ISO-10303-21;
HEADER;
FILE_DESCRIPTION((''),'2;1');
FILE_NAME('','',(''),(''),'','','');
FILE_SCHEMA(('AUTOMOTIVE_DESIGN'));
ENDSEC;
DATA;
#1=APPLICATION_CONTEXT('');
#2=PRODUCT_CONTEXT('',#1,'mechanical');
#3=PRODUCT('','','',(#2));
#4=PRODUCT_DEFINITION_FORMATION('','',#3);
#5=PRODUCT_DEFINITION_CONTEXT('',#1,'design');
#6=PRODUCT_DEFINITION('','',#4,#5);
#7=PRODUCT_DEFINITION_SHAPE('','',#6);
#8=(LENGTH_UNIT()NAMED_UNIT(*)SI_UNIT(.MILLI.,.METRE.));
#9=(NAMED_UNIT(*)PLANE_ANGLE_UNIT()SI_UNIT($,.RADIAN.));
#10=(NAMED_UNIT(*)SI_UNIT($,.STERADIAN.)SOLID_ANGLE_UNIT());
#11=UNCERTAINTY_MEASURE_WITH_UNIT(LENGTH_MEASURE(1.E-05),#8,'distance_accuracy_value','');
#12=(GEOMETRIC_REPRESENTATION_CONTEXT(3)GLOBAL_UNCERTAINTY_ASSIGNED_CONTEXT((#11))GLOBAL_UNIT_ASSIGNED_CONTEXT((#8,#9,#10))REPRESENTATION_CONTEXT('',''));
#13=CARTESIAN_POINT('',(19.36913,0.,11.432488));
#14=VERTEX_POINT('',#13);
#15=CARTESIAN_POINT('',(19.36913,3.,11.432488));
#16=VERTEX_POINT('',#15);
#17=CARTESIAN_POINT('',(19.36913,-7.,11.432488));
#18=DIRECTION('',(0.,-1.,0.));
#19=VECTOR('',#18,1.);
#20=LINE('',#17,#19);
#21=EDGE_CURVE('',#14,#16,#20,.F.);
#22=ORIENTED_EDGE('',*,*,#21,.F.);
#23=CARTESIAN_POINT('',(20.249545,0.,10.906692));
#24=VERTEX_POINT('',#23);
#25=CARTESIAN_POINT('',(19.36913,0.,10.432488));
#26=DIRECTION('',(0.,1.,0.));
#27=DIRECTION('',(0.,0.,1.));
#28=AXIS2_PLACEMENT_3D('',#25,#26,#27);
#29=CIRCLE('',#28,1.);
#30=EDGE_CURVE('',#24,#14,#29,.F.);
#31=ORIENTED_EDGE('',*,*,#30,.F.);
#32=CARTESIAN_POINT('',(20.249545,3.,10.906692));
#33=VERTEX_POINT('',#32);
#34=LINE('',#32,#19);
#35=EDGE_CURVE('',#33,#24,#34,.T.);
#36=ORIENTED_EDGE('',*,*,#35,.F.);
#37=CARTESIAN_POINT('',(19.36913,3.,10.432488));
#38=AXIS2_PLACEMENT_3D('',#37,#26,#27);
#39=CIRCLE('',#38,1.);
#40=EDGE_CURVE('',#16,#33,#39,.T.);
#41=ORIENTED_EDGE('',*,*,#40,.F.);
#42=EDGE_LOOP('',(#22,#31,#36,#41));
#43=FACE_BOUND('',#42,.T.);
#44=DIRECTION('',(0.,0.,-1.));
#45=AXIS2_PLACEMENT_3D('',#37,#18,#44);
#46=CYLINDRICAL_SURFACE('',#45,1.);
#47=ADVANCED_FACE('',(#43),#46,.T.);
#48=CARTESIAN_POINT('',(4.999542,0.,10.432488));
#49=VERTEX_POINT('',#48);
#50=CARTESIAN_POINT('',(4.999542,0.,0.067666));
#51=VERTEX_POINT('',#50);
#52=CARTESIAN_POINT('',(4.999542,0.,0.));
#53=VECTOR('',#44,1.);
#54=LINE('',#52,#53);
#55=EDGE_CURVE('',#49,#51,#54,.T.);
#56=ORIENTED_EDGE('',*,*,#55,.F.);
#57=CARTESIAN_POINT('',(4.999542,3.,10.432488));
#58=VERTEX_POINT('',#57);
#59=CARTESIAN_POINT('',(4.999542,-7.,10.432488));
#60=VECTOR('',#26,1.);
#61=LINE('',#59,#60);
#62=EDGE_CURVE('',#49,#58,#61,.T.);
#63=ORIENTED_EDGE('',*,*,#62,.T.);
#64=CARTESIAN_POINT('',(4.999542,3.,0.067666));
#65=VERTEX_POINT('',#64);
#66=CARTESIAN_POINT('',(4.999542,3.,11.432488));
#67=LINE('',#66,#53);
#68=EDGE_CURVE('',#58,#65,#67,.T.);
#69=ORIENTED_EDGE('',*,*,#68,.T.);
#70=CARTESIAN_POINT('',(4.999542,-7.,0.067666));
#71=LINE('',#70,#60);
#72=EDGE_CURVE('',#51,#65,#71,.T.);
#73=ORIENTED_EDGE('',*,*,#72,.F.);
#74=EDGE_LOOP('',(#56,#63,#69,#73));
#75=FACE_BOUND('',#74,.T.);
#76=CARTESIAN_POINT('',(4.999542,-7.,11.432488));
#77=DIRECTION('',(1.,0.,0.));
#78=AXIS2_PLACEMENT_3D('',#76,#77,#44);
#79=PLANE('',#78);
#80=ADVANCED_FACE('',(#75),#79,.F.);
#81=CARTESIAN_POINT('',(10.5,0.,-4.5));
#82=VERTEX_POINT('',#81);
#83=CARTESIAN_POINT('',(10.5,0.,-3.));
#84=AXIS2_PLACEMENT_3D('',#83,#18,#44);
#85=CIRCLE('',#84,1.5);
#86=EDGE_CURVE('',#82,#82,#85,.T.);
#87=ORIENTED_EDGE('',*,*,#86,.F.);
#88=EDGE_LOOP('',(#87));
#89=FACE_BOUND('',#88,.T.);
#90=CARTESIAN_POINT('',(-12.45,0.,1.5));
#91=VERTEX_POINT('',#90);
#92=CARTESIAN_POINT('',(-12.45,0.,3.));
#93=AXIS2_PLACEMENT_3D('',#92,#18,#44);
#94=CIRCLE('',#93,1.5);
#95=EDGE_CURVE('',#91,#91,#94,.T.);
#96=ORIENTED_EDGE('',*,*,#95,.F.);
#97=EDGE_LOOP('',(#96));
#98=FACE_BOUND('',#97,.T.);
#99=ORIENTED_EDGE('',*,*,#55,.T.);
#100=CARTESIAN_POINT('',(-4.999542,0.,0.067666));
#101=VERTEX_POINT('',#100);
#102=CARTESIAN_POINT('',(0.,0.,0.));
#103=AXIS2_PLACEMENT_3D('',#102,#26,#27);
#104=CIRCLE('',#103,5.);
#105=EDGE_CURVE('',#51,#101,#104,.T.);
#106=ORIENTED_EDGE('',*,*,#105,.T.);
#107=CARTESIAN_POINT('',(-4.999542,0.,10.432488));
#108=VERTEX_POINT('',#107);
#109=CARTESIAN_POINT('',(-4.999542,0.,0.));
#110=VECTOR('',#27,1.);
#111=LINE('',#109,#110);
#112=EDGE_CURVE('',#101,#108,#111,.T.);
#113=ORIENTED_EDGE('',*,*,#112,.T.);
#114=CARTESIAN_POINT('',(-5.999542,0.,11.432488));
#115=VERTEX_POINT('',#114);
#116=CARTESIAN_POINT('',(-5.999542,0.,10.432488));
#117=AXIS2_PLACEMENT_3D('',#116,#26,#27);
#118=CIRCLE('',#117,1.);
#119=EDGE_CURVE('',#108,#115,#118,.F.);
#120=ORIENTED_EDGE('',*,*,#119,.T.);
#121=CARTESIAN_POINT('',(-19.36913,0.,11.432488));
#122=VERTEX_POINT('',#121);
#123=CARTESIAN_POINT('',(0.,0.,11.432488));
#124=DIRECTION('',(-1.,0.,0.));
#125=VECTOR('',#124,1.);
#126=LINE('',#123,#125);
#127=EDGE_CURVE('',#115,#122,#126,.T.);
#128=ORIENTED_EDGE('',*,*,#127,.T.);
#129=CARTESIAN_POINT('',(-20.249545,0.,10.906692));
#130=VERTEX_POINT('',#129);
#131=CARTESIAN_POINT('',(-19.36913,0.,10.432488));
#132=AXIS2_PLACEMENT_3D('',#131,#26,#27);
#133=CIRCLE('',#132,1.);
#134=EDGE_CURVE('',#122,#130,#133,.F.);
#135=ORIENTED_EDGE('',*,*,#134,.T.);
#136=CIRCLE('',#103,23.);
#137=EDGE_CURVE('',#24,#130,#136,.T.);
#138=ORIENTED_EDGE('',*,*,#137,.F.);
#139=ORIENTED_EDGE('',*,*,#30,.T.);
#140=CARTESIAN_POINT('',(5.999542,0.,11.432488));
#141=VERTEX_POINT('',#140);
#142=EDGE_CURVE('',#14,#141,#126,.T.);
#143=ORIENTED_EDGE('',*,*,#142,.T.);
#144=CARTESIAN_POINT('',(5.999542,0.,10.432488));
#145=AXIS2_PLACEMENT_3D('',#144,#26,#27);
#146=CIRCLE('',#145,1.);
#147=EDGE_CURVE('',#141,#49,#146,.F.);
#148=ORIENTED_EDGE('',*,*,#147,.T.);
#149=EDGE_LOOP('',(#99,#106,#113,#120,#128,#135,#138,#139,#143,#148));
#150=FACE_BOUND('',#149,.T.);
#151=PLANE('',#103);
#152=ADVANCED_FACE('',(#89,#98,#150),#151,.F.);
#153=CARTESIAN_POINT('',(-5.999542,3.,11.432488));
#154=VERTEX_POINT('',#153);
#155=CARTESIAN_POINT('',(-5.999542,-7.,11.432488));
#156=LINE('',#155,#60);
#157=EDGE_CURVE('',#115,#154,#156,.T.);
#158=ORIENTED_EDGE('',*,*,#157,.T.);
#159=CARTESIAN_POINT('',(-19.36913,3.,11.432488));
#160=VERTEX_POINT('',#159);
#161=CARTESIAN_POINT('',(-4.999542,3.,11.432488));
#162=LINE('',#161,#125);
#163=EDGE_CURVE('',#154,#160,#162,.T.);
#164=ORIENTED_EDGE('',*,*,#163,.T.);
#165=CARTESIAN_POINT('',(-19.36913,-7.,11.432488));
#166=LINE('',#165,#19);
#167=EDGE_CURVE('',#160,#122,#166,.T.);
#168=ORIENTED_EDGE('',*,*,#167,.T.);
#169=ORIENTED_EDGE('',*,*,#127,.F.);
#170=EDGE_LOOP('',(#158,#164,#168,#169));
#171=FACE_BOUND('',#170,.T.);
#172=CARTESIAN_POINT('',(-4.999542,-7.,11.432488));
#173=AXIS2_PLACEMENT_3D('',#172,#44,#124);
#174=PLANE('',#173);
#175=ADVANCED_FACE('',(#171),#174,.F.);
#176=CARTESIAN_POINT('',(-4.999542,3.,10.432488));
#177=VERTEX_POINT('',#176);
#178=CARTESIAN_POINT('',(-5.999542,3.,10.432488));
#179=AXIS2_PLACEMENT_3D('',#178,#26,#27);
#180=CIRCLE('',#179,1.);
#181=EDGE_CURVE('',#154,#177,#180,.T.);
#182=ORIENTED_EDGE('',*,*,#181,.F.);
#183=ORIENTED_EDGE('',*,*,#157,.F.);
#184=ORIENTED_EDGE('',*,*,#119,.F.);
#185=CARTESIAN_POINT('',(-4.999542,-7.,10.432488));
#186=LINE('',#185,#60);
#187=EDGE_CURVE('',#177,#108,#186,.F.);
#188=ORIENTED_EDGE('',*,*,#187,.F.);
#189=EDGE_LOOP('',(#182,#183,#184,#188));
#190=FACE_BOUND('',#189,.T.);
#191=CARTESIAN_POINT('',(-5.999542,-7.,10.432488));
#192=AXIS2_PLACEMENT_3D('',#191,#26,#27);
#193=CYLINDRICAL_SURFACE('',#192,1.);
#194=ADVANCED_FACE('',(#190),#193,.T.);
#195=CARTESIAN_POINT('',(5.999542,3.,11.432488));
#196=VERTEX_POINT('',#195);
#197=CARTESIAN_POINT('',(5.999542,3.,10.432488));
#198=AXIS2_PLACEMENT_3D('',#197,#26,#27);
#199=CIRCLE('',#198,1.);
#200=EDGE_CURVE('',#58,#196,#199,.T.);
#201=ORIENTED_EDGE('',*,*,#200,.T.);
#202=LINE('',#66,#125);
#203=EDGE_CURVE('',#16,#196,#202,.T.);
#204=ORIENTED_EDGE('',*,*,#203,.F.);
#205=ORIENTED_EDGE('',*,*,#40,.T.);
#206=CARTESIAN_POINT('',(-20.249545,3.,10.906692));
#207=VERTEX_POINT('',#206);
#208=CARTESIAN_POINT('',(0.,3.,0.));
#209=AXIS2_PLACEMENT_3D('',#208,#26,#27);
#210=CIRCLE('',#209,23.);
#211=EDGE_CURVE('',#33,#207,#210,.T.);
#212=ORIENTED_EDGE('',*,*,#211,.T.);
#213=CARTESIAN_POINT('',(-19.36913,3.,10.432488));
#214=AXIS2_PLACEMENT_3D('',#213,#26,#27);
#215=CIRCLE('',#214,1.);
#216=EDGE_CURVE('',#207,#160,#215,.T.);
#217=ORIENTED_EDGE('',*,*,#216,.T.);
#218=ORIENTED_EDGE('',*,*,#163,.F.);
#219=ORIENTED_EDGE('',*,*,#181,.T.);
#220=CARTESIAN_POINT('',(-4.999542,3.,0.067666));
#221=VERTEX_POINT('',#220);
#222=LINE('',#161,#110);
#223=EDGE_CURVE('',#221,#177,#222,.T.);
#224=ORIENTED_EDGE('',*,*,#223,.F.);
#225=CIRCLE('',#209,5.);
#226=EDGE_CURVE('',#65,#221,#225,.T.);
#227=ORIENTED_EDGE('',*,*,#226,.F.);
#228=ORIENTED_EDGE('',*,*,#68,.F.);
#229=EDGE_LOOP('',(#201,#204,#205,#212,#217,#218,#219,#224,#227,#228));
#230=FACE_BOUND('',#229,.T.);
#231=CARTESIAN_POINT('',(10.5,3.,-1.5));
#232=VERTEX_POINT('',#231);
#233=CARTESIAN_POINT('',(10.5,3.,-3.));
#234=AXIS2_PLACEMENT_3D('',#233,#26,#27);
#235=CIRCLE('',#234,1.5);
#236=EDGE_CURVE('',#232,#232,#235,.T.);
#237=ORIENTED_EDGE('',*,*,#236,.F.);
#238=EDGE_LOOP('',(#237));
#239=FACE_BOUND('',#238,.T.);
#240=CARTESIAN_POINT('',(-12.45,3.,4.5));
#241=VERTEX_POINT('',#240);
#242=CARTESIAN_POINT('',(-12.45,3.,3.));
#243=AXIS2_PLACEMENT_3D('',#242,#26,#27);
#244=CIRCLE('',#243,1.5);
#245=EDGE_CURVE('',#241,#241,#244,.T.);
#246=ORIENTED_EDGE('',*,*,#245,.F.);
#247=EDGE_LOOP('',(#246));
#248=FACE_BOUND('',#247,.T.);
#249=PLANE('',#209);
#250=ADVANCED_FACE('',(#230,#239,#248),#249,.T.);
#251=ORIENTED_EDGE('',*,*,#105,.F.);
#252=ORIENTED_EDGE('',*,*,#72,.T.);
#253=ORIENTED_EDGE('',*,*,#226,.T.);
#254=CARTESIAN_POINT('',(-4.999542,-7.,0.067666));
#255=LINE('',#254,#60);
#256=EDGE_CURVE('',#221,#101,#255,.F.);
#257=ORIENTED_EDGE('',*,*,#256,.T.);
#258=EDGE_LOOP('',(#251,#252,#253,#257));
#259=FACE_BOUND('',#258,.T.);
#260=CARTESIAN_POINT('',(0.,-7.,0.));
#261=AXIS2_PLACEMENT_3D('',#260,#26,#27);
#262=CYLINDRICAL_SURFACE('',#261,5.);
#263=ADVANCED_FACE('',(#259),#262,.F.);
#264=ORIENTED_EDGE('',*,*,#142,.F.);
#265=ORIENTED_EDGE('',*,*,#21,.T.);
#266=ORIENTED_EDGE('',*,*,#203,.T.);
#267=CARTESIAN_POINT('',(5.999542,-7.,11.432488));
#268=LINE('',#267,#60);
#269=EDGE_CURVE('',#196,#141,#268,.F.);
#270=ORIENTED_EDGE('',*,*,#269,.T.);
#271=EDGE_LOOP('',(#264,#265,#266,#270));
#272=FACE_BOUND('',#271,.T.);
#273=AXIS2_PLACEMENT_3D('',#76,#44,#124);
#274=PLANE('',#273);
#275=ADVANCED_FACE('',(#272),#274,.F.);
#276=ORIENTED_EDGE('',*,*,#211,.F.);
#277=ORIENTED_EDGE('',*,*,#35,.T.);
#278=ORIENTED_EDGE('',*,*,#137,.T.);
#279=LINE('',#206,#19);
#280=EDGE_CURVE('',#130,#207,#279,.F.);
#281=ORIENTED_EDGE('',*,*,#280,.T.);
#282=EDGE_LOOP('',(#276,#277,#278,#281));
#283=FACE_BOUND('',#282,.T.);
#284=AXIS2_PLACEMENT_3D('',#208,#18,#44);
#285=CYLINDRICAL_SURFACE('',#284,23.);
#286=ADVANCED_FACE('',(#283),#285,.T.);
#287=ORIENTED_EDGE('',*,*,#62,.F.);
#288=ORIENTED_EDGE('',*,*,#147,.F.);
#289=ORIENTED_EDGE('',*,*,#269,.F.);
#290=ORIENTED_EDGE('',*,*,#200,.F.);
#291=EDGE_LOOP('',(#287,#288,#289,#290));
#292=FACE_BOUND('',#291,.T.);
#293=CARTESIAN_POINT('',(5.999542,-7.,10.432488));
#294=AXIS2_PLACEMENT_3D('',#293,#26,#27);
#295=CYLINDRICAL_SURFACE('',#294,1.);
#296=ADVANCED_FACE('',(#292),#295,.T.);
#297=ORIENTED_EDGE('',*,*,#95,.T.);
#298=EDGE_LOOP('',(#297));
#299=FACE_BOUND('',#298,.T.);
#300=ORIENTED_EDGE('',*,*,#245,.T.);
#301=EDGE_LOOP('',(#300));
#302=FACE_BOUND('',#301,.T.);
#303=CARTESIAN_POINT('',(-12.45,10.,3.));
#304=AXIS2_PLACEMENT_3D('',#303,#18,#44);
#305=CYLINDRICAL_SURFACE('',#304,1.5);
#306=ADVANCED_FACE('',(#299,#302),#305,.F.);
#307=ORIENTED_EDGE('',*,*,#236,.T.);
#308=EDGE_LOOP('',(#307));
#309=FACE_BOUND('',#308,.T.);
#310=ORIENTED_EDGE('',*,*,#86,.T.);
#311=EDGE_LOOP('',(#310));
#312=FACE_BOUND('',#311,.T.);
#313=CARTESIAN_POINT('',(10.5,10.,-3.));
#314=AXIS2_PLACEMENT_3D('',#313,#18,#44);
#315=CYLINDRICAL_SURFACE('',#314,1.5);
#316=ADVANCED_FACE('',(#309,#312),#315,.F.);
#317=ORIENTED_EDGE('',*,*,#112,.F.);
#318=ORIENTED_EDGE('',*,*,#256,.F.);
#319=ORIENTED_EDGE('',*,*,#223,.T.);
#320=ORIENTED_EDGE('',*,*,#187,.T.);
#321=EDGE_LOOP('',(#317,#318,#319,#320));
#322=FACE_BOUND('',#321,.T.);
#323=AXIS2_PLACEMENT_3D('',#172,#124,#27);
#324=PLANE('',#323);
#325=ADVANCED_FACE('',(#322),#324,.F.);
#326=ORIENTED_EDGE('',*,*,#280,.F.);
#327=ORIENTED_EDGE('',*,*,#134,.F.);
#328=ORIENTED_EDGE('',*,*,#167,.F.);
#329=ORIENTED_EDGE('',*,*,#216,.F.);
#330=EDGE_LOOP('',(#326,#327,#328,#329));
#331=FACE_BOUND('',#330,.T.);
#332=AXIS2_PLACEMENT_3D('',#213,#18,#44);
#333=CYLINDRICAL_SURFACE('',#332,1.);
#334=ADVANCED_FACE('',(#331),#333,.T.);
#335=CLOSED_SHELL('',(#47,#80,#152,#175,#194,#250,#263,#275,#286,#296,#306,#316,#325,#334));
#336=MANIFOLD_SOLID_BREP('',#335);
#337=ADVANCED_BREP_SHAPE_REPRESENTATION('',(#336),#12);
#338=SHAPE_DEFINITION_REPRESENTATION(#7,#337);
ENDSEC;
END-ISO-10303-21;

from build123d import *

# Parameters (mm, degrees)
SKETCH1_R           = 23
BOSS_EXTRUDE1_DEPTH = 3
SKETCH2_R           = 1.5
CUT_EXTRUDE1_DEPTH  = 10
SKETCH3_R           = 5
CUT_EXTRUDE2_DEPTH  = 10
CUT_EXTRUDE3_DEPTH  = 10
FILLET1_R           = 1


with BuildPart() as part:
    # Sketch1 → Boss-Extrude1 (new body)
    with BuildSketch(Plane(origin=(0, 0, 0), x_dir=(1, 0, 0), z_dir=(0, 1, 0))):
        with Locations(Location((0, 0, 0), (0, 0, 270))):
            Circle(SKETCH1_R)
    extrude(amount=BOSS_EXTRUDE1_DEPTH)

    # Sketch2 → Cut-Extrude1 (cut)
    with BuildSketch(Plane.XZ):
        with Locations(Location((-12.45, 3, 0), (0, 0, 270))):
            Circle(SKETCH2_R)
        with Locations(Location((10.5, -3, 0), (0, 0, 270))):
            Circle(SKETCH2_R)
    extrude(amount=-CUT_EXTRUDE1_DEPTH, mode=Mode.SUBTRACT)

    # Sketch3 → Cut-Extrude2 (cut)
    with BuildSketch(Plane(origin=(0, 3, 0), x_dir=(1, 0, 0), z_dir=(0, 1, 0))):
        with Locations(Location((0, 0, 0), (0, 0, 270))):
            Circle(SKETCH3_R)
    extrude(amount=-CUT_EXTRUDE2_DEPTH, mode=Mode.SUBTRACT)

    # Sketch4 → Cut-Extrude3 (cut)
    with BuildSketch(Plane(origin=(0, 3, 0), x_dir=(1, 0, 0), z_dir=(0, 1, 0))):
        Polygon((-4.999542106, 0.067666304), (-4.999542106, -6.72215), (-4.999542106, -11.432488216), (-23.949207952, -11.432488216), (-23.949207952, -24.872488216), (-5.202998913, -24.872488216), (4.797001087, -24.872488216), (29.316778345, -24.872488216), (29.316778345, -11.432488216), (4.999542106, -11.432488216), (4.999542106, 0.067666304), align=None)
    extrude(amount=-CUT_EXTRUDE3_DEPTH, mode=Mode.SUBTRACT)

    # Fillet1
    fillet1_edges = [part.edges().sort_by_distance(p)[0] for p in [
        (19.957409982, 1.5, 11.432488216),
        (4.999542106, 1.5, 11.432488216),
        (-19.957409982, 1.5, 11.432488216),
        (-4.999542106, 1.5, 11.432488216),
    ]]
    fillet(fillet1_edges, radius=FILLET1_R)


solid = part.part
